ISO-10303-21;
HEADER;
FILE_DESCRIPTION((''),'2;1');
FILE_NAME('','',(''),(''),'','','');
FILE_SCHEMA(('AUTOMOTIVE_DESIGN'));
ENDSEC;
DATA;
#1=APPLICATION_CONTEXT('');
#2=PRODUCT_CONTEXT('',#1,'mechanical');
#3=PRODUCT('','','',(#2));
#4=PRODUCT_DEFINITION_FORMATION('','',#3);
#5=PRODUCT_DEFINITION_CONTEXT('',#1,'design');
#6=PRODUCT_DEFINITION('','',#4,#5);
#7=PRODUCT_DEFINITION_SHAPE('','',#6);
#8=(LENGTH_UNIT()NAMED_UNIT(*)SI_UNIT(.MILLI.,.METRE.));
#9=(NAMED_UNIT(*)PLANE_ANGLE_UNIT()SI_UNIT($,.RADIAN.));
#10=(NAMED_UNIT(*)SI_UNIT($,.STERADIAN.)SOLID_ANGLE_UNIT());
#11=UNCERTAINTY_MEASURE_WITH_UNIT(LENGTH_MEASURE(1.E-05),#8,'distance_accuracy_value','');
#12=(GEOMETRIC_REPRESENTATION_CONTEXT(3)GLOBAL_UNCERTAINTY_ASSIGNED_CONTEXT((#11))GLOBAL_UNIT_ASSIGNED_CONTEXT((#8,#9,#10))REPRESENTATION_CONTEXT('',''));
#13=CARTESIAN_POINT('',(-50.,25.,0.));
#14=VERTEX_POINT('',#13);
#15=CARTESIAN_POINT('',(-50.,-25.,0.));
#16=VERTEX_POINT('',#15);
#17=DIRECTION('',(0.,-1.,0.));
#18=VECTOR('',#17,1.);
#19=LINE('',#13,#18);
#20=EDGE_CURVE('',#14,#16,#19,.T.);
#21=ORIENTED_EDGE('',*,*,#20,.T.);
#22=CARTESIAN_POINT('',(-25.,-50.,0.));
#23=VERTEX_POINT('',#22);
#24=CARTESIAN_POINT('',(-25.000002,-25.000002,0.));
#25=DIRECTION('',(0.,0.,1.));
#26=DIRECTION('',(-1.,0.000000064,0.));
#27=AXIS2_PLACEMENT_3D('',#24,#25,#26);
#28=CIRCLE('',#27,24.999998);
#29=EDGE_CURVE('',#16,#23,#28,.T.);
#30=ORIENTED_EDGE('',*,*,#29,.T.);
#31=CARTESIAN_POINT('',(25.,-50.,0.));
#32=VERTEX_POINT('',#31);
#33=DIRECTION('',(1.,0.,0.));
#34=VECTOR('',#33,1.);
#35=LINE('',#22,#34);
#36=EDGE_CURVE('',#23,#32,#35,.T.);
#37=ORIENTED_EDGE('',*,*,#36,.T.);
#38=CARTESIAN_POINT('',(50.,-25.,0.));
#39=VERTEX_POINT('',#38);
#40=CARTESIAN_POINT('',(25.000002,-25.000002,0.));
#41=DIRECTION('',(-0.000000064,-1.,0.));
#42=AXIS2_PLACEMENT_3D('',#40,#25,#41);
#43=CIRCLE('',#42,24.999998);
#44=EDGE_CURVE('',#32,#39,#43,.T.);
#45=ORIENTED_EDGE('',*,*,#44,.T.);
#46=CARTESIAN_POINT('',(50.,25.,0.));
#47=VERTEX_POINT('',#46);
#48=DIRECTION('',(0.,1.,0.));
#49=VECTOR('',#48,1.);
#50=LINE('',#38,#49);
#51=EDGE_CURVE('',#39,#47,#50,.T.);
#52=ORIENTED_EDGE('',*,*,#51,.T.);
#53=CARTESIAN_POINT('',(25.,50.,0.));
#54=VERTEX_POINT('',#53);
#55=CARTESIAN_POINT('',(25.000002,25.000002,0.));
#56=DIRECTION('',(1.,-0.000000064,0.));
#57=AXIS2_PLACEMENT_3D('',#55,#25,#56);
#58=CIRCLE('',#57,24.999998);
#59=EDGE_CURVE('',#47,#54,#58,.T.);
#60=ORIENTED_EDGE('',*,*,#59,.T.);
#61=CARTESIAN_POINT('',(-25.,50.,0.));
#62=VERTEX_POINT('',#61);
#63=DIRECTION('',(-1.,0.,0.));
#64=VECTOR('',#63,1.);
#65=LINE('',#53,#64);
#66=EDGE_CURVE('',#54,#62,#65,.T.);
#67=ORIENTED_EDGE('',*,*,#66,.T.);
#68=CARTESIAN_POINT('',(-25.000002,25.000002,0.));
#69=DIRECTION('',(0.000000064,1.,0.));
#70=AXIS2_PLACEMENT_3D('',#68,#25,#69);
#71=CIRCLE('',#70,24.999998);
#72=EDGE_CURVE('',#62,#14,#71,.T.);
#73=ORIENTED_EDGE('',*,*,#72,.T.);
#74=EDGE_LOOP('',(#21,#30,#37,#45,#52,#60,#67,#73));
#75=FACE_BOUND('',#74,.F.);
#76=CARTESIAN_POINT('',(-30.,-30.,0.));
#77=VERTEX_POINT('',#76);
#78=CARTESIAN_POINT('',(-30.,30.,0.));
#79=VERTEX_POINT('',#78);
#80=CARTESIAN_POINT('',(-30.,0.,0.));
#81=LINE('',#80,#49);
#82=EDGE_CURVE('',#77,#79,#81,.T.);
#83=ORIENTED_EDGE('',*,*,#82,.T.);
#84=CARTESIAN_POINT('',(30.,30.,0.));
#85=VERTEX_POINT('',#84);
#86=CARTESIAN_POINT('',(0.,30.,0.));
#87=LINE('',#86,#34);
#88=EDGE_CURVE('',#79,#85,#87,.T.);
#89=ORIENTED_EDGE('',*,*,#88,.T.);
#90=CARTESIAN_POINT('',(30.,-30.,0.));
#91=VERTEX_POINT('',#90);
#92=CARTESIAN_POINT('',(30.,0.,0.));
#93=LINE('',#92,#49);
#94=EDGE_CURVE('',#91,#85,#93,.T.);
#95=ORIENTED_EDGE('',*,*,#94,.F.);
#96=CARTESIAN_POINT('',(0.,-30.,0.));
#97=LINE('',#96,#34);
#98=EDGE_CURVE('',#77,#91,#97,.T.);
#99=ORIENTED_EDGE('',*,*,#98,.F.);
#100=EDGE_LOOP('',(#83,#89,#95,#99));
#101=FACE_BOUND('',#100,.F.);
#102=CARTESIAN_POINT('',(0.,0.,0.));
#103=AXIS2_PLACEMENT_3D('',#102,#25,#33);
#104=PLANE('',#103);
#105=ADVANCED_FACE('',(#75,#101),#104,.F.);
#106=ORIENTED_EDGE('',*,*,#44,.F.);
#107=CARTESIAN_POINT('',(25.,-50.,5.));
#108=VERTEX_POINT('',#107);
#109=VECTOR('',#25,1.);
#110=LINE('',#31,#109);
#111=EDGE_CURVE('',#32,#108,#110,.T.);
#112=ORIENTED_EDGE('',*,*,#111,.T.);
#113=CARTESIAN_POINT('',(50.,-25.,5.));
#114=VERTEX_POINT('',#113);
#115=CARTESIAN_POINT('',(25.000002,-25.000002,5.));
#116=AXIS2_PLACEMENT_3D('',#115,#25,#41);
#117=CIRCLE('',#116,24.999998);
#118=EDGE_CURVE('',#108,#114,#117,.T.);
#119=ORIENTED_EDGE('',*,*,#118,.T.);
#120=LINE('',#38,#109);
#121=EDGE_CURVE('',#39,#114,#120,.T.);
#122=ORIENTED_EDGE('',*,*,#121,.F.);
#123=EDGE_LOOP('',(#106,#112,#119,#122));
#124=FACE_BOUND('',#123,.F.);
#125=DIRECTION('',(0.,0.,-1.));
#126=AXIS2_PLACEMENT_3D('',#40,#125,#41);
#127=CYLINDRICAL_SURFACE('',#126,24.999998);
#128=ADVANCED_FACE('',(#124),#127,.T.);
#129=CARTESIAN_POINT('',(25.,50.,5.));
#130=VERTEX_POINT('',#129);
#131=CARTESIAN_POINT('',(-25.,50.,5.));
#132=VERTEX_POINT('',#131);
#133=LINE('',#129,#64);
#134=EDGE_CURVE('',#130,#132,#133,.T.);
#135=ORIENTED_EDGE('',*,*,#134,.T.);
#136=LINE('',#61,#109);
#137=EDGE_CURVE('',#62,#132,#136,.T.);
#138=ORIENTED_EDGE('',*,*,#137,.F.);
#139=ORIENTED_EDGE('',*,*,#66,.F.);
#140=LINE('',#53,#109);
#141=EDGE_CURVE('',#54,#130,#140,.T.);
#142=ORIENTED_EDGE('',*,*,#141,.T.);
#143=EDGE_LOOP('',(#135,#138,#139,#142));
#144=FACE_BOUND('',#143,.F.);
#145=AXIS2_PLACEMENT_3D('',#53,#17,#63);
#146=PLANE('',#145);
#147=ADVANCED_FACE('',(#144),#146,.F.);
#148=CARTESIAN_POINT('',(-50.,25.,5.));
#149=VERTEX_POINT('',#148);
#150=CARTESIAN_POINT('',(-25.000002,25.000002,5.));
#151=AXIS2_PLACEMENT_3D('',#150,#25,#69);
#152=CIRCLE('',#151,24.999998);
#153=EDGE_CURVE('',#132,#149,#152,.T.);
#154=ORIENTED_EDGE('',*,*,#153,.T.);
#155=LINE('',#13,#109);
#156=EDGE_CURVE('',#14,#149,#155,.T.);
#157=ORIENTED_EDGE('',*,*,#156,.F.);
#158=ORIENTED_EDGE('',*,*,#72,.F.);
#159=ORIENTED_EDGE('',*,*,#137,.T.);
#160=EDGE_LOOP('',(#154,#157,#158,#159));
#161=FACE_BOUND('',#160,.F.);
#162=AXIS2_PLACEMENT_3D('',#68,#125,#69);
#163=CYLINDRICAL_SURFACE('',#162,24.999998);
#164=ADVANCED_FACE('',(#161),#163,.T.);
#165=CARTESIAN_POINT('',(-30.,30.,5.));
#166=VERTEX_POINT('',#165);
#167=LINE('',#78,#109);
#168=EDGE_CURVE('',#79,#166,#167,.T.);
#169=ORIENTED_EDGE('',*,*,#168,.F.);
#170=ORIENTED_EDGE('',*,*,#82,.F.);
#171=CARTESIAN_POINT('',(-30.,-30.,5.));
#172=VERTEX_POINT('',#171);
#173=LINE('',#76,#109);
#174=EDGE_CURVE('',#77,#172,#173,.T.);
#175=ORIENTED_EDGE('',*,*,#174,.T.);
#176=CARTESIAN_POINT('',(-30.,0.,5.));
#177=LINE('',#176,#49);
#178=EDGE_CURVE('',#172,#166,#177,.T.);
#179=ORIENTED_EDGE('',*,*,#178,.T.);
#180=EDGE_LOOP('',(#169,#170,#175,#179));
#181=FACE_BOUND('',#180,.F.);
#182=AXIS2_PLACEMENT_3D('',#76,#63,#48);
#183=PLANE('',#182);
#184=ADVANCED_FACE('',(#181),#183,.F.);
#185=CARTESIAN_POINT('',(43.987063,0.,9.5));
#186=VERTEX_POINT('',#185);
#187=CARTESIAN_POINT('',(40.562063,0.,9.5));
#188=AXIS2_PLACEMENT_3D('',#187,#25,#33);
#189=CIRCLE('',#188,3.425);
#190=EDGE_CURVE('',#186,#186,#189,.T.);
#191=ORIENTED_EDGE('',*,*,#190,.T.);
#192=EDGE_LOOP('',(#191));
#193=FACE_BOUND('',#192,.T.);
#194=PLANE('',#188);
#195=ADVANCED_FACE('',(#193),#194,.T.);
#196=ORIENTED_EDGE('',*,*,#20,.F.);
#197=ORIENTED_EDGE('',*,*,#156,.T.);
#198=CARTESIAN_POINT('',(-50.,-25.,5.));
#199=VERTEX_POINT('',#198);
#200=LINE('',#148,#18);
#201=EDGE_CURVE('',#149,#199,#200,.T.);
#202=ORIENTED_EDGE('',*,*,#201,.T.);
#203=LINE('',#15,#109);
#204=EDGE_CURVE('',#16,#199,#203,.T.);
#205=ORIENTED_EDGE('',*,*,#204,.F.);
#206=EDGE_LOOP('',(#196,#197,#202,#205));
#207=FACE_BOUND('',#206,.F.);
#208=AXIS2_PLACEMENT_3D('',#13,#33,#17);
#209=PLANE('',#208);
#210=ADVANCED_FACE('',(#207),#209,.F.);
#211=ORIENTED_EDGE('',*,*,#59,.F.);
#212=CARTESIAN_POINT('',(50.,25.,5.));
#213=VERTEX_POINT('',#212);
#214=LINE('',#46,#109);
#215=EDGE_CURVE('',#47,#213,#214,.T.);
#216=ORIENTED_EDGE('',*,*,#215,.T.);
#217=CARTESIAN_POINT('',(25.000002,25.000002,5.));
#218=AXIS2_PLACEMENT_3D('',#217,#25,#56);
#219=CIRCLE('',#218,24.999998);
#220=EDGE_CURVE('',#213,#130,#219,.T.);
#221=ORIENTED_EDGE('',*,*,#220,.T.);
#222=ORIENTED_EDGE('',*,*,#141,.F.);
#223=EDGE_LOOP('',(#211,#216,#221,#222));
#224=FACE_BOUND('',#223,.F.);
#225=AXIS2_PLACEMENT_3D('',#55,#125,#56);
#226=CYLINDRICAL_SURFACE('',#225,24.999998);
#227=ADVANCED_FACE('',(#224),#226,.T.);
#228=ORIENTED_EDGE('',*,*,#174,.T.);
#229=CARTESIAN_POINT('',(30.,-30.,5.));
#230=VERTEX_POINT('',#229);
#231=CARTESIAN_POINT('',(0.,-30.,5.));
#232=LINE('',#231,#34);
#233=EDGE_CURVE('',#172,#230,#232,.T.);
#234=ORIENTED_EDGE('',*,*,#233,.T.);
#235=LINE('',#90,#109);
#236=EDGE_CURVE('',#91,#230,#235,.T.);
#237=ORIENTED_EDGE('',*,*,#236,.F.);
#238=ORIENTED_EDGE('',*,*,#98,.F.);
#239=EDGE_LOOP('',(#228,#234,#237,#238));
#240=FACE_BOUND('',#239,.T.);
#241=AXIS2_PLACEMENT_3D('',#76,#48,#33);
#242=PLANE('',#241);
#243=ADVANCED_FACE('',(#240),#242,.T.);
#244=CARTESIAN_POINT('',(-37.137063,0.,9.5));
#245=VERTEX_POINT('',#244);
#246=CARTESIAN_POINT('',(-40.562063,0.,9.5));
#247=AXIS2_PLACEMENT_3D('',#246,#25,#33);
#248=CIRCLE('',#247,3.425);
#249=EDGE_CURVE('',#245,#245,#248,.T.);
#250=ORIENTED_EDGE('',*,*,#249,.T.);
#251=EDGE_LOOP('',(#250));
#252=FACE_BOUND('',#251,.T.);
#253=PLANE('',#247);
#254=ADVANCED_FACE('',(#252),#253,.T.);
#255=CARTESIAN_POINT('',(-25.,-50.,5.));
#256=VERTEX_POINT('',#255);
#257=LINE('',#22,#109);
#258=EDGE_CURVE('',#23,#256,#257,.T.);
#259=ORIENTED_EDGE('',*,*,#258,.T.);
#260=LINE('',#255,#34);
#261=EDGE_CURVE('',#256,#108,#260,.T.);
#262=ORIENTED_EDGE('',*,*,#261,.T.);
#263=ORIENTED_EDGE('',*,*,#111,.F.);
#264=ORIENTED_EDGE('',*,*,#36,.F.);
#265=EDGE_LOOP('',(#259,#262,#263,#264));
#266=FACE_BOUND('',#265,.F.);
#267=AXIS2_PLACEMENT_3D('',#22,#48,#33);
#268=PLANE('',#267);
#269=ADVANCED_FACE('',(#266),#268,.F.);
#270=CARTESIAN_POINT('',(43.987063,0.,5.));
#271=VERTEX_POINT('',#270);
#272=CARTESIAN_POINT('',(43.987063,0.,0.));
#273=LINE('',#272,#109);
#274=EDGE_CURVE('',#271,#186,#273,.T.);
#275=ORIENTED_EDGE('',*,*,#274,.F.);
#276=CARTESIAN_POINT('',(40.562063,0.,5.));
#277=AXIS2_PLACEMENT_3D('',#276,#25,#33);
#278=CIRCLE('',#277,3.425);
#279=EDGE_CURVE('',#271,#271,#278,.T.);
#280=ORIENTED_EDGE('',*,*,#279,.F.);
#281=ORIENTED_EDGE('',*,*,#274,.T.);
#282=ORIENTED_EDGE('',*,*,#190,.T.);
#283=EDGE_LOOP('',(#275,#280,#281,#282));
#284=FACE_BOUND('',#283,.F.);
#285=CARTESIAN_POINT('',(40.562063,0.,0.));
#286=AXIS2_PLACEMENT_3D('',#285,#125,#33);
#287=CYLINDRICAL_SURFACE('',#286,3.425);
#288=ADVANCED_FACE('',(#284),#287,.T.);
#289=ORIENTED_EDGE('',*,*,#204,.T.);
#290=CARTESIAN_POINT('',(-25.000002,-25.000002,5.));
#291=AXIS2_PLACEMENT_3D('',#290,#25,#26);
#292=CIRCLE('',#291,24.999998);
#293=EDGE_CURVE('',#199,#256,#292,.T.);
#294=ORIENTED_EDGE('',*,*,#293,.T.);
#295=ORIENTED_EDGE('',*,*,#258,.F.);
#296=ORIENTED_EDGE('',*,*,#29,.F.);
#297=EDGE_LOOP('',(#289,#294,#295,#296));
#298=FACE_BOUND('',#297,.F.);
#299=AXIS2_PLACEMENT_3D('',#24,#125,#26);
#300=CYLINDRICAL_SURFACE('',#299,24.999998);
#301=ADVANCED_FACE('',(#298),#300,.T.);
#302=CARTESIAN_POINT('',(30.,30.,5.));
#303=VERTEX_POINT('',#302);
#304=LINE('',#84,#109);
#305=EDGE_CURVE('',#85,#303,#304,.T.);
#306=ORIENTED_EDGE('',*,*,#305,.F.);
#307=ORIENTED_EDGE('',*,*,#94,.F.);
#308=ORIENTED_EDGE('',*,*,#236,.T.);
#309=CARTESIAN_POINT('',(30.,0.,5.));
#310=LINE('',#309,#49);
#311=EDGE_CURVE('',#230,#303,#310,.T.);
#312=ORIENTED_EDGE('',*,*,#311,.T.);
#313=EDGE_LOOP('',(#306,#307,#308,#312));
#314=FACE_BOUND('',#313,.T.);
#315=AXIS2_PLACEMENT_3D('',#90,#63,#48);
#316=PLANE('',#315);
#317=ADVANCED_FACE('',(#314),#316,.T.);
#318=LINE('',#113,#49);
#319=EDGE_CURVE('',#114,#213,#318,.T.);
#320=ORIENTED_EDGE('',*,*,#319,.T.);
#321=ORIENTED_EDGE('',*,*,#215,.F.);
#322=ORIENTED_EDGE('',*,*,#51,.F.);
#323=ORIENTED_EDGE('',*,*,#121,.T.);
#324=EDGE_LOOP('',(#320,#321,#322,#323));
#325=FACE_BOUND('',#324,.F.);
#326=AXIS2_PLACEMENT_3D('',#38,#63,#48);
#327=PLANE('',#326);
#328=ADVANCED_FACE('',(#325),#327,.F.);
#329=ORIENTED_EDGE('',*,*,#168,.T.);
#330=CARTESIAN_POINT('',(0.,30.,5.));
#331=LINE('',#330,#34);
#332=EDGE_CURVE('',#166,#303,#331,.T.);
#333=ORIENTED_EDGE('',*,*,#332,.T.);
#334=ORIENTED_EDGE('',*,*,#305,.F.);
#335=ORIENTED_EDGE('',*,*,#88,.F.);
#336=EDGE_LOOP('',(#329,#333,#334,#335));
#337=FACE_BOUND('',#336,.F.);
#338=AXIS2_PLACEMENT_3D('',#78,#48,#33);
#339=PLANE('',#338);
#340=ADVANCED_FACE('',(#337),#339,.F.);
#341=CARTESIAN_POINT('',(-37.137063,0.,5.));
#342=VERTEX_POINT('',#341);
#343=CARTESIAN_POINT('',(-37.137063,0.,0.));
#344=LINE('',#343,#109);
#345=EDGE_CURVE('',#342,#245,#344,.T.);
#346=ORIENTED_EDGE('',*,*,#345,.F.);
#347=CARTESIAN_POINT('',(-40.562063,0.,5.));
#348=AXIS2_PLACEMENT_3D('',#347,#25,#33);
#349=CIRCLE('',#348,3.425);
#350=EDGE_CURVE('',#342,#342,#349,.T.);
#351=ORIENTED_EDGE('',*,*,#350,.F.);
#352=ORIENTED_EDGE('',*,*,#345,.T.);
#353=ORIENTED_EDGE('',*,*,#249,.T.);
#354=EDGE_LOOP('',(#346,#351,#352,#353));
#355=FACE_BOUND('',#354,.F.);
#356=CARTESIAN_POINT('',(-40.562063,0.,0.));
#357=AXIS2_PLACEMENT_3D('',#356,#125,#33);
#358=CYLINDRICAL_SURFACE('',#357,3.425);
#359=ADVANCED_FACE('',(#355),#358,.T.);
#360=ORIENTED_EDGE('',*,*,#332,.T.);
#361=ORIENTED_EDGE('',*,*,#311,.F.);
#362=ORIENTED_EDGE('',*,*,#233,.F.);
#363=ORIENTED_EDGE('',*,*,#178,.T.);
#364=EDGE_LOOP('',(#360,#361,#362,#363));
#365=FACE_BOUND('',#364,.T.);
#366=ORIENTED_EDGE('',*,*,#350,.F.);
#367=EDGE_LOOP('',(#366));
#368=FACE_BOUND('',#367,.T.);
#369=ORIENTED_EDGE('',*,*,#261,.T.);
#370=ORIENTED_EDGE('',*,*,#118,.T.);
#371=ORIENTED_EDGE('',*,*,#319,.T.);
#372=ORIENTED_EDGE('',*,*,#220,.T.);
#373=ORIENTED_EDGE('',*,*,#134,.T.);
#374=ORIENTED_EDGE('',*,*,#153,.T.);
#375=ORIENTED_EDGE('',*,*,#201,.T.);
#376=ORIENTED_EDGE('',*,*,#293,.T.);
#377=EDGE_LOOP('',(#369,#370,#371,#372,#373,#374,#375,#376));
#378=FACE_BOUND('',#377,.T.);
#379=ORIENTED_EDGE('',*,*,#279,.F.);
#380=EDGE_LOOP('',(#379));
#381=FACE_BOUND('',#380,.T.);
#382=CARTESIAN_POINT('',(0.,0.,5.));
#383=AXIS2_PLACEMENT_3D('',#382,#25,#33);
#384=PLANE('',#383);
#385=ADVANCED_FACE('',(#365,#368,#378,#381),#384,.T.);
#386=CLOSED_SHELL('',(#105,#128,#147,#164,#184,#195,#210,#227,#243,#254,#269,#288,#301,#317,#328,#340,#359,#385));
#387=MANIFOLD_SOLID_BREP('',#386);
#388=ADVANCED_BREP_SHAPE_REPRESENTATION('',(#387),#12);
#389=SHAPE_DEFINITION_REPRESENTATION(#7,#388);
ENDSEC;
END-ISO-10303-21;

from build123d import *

# Parameters (mm, degrees)
F0_R     = 3.425
F0_W     = 60
F0_H     = 60
F1_DEPTH = 5
F2_DEPTH = 9.5


with BuildPart() as f1:
    # F0 (on Top) → F1 (new body)
    with BuildSketch(Plane.XY):
        with BuildLine():
            Line((-25, -50), (25, -50))
            ThreePointArc((25, -50), (42.67767, -42.67767), (50, -25))
            Line((50, -25), (50, 25))
            ThreePointArc((50, 25), (42.67767, 42.67767), (25, 50))
            Line((25, 50), (-25, 50))
            ThreePointArc((-25, 50), (-42.67767, 42.67767), (-50, 25))
            Line((-50, 25), (-50, -25))
            ThreePointArc((-50, -25), (-42.67767, -42.67767), (-25, -50))
        make_face()
        with Locations((-40.562063, 0)):
            Circle(F0_R, mode=Mode.SUBTRACT)
        Rectangle(F0_W, F0_H, mode=Mode.SUBTRACT)
        with Locations((40.562063, 0)):
            Circle(F0_R, mode=Mode.SUBTRACT)
    extrude(amount=F1_DEPTH)

    # F0 (on Top) → F2 (join)
    with BuildSketch(Plane.XY):
        with Locations((-40.562063, 0)):
            Circle(F0_R)
        with Locations((40.562063, 0)):
            Circle(F0_R)
    extrude(amount=F2_DEPTH)


solid = f1.part
